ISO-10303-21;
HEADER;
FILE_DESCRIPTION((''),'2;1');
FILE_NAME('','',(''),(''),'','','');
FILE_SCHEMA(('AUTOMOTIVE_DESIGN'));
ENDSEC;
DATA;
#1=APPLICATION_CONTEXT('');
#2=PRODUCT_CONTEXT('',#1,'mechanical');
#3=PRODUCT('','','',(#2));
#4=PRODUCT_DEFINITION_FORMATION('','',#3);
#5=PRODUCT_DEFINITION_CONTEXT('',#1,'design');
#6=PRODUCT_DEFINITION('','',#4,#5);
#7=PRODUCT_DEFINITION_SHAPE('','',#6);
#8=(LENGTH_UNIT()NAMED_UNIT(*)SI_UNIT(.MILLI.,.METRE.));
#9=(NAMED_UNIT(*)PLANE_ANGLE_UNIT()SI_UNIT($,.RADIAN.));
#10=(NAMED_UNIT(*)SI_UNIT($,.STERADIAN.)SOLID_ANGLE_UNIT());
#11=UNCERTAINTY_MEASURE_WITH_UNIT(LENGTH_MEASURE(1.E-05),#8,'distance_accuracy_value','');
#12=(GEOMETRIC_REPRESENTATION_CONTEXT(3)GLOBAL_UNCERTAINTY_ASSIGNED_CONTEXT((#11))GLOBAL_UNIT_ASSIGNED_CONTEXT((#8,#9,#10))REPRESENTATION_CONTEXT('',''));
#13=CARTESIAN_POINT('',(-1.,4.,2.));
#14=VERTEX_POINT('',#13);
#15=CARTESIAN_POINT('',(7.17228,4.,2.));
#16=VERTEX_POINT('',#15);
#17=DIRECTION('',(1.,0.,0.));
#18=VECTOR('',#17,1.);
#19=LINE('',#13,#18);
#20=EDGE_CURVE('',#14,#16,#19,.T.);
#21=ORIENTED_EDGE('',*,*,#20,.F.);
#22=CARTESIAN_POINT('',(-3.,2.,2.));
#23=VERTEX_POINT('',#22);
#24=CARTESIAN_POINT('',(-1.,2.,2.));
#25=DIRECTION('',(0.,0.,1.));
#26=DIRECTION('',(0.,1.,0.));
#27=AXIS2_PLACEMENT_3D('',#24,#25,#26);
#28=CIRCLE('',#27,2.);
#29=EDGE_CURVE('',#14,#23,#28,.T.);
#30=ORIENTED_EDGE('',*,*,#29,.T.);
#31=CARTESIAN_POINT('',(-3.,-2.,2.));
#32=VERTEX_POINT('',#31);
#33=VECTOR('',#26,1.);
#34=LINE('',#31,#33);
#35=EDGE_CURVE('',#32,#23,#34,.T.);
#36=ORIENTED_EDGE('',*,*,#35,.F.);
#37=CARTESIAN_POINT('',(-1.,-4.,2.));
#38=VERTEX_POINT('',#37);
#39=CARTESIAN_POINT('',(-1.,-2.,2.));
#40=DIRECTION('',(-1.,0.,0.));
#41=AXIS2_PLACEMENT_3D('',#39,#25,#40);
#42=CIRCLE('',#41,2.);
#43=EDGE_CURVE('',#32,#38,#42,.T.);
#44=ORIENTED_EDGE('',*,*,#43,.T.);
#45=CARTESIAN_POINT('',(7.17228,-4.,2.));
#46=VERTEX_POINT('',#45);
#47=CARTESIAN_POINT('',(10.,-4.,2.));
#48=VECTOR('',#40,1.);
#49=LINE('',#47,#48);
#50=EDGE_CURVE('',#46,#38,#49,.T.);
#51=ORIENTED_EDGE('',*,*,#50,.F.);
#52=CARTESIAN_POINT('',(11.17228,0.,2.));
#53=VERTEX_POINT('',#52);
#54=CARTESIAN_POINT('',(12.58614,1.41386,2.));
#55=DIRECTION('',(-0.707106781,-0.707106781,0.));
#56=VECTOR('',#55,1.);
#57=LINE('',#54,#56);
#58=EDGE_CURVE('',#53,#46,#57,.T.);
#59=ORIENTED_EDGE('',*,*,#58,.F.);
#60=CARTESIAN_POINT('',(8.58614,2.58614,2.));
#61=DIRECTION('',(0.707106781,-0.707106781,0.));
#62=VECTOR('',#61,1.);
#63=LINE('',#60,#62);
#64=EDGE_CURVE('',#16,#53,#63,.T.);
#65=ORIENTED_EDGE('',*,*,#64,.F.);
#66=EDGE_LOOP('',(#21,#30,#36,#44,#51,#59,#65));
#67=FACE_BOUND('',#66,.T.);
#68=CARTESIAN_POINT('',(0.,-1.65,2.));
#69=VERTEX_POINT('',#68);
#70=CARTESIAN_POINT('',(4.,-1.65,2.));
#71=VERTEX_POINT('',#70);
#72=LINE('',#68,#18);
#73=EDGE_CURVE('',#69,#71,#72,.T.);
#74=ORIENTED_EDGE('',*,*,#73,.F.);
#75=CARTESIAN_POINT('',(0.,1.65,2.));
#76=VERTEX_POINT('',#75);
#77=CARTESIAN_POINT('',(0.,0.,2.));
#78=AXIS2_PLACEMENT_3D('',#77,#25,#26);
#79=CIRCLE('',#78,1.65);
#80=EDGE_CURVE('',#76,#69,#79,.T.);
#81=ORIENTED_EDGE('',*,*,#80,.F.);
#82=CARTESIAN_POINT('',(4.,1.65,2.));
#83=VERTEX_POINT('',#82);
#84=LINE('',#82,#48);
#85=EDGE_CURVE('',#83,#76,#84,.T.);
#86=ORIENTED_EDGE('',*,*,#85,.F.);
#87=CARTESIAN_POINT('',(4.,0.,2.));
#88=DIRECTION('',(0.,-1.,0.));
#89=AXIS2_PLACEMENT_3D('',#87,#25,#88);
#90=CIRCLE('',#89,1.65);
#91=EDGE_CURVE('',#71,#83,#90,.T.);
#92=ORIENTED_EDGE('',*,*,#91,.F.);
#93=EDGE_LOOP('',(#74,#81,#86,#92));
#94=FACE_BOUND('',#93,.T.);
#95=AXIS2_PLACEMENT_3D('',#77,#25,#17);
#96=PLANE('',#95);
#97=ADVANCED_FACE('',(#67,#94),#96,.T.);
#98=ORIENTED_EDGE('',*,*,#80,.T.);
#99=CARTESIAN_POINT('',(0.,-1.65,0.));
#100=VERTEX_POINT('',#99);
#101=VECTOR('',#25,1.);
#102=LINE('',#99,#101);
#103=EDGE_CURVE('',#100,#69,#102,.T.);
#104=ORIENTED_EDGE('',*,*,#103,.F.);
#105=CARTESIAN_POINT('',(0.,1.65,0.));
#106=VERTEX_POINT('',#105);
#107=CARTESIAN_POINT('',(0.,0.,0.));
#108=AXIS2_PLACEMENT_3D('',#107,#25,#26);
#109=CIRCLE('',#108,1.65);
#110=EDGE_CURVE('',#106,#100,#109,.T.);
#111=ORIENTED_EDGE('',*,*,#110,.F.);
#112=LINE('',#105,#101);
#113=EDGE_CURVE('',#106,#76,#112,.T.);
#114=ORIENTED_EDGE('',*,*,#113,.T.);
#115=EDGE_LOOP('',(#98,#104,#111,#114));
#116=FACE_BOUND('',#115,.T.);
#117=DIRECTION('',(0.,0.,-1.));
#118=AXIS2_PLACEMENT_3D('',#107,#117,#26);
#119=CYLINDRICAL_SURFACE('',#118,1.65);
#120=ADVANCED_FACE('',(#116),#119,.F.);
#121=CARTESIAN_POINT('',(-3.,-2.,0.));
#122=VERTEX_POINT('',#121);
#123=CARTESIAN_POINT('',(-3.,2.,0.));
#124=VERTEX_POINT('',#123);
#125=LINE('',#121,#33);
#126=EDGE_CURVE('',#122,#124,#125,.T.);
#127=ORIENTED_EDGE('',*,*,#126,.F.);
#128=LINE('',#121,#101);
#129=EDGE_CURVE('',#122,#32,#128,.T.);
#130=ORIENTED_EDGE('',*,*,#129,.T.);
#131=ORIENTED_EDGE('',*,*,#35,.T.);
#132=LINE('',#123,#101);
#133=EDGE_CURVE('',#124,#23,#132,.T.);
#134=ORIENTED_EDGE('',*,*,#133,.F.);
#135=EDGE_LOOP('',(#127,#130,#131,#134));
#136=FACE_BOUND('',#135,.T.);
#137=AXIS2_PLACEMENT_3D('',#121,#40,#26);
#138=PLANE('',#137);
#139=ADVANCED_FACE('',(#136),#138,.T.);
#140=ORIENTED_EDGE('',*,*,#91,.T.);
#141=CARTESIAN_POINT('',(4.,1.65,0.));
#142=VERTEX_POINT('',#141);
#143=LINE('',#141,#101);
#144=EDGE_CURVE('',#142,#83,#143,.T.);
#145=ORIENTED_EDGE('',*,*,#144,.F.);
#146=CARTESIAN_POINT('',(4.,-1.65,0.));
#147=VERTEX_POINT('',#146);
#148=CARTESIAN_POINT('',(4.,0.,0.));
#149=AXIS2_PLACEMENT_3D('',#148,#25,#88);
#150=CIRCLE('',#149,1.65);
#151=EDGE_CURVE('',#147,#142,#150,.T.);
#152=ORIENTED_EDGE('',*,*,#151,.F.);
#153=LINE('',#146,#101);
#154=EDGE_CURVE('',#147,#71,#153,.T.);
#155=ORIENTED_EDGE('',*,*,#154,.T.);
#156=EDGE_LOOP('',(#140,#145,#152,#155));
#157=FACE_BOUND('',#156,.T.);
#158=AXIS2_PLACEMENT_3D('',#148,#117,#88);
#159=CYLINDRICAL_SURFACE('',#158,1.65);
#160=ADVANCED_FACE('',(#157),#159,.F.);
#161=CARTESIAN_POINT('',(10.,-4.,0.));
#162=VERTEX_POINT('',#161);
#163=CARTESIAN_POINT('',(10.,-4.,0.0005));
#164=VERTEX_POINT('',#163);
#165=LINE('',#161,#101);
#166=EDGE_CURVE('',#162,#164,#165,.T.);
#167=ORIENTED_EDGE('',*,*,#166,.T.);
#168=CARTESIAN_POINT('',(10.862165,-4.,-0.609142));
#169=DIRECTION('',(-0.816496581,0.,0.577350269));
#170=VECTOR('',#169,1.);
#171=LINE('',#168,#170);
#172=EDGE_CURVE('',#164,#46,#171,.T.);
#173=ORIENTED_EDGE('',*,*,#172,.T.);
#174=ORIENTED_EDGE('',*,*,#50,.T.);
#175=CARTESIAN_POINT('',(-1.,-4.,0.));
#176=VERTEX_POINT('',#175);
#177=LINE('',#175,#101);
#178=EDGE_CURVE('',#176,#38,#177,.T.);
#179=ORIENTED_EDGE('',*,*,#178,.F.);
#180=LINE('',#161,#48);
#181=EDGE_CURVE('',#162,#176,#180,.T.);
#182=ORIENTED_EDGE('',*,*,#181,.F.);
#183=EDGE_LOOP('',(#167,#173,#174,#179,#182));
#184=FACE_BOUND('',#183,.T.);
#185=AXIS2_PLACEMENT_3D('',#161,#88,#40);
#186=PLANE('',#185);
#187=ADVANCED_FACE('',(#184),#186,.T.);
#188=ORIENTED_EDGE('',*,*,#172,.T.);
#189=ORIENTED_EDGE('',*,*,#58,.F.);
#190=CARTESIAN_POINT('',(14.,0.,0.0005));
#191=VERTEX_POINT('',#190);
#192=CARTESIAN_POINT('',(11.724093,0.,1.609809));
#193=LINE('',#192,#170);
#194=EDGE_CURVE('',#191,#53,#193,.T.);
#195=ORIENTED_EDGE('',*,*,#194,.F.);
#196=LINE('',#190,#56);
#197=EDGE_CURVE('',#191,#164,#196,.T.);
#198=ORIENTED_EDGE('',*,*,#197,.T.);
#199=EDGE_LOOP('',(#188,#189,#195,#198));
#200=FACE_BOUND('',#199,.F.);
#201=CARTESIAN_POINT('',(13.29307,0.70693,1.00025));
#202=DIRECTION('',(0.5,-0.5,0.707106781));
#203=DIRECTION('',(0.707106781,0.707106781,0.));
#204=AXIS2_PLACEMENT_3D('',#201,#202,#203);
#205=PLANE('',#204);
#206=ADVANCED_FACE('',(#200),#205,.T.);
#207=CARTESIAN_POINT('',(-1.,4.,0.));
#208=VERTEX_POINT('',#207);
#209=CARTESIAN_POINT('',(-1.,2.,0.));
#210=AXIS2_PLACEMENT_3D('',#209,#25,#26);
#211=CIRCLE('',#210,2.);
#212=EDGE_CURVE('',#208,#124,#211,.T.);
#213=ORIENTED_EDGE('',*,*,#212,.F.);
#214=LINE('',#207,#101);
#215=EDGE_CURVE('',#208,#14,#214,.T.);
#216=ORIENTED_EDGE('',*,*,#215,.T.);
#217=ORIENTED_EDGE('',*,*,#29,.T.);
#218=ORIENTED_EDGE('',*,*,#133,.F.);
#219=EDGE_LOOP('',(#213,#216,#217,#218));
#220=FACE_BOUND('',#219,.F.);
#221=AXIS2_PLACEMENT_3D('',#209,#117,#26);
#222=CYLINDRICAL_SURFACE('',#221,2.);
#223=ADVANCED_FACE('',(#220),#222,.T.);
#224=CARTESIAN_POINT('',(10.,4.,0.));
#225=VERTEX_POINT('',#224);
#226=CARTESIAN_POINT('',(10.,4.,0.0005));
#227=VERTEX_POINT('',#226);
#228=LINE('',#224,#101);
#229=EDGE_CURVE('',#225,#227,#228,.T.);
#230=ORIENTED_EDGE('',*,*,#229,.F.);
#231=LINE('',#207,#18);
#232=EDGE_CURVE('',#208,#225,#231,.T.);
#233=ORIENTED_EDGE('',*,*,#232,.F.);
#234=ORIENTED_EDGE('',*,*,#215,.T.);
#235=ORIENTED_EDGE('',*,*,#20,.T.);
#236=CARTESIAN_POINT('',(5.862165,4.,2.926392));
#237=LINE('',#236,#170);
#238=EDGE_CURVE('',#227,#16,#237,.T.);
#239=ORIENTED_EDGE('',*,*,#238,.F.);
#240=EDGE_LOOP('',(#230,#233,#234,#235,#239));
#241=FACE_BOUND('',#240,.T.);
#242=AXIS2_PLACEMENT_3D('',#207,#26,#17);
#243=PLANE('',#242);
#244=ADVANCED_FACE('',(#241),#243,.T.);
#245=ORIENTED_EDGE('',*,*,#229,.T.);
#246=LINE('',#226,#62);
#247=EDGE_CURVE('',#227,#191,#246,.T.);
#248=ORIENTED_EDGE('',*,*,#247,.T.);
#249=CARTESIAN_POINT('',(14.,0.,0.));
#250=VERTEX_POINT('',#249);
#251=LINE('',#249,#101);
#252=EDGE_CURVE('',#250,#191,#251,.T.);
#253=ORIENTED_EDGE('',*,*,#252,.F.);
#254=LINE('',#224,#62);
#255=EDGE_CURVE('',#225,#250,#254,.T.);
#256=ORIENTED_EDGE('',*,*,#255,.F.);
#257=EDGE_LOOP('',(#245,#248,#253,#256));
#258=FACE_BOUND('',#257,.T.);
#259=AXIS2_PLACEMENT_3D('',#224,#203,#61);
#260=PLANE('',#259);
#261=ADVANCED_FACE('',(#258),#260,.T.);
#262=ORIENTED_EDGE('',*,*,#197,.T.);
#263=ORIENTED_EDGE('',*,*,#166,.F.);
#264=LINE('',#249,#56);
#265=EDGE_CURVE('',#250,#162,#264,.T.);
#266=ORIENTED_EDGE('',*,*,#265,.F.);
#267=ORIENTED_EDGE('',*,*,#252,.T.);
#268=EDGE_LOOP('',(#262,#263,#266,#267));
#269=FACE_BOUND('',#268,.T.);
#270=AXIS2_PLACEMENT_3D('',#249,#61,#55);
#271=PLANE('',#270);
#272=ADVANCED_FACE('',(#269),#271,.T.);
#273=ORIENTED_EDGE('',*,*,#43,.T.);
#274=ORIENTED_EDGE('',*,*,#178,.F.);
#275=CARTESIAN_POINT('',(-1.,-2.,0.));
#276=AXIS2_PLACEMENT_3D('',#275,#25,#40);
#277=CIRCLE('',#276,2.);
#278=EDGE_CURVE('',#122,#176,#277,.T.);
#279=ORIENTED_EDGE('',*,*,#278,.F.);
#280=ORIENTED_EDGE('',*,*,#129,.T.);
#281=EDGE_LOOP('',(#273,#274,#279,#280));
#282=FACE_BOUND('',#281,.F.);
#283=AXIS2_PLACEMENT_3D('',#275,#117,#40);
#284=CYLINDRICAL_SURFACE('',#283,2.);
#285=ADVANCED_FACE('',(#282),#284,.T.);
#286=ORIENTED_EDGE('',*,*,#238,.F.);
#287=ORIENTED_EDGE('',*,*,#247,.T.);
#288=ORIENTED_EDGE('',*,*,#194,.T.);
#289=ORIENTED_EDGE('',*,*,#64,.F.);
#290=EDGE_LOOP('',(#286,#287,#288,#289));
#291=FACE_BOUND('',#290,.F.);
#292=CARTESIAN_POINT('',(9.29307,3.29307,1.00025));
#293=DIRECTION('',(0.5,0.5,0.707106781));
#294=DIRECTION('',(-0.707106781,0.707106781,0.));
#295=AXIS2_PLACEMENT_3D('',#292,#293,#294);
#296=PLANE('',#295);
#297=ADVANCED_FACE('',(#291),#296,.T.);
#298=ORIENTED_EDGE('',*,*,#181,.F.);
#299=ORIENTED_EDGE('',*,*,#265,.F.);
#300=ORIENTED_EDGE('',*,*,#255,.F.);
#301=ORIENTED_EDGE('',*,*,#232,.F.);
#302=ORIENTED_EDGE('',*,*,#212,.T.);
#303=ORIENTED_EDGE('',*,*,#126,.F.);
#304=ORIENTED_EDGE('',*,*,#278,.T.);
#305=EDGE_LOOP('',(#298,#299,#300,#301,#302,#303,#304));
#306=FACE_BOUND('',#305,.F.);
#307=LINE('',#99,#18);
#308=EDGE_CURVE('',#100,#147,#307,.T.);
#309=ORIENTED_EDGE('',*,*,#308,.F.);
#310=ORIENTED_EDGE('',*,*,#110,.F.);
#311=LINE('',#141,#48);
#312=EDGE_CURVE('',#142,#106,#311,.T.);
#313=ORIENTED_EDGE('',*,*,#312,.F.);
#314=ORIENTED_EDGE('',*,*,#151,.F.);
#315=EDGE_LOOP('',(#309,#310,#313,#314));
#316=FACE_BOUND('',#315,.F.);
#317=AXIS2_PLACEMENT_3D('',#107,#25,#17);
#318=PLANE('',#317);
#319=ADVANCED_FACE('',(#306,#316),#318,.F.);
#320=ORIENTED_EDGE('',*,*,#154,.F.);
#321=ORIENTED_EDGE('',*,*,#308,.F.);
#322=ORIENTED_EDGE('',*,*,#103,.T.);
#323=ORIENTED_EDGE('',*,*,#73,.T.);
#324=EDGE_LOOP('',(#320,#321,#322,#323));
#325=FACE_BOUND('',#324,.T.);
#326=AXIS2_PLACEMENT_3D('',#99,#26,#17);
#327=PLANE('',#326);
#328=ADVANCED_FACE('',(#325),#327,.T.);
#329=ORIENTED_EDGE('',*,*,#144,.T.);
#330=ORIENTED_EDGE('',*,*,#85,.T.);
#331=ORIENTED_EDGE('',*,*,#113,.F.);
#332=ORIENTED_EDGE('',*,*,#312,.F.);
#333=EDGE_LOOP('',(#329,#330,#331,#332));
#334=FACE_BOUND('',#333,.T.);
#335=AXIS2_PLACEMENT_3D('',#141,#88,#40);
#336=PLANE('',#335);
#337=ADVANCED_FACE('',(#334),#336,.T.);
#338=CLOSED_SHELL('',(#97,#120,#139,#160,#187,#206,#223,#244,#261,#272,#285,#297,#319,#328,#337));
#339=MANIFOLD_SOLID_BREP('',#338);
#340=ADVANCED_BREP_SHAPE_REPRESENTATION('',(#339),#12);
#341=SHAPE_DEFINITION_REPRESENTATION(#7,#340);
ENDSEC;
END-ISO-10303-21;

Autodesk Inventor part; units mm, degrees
ref_plane "YZ Plane" through (0, 0, 0) normal (1, 0, 0) x (0, 1, 0)
ref_plane "XZ Plane" through (0, 0, 0) normal (0, 1, 0) x (-1, 0, 0)
ref_plane "XY Plane" through (0, 0, 0) normal (0, 0, 1) x (1, 0, 0)
sketch "Sketch1" plane through (0, 0, 0) normal (0, 0, 1) x (1, 0, 0)
  line L0 (0, 0) -> (4, 0) construction
  line L1 (0, -1.65) -> (4, -1.65)
  line L2 (4, 1.65) -> (0, 1.65)
  arc A0 (0, 1.65) -> (0, -1.65) centre (0, 0) ccw
  arc A1 (4, -1.65) -> (4, 1.65) centre (4, 0) ccw
  line L3 (-1, 4) -> (10, 4)
  line L4 (10, -4) -> (-1, -4)
  line L5 (-3, -2) -> (-3, 2)
  arc A2 (-1, 4) -> (-3, 2) centre (-1, 2) ccw
  arc A3 (-3, -2) -> (-1, -4) centre (-1, -2) ccw
  line L6 (10, 4) -> (14, 0)
  line L7 (10, 4) -> (15.6569, 4) construction
  line L8 (14, 0) -> (10, -4)
  point P0 (2, 0)
  point P1 (-3, 4)
  point P2 (-3, -4)
  dimension "d0" = 3.3
  dimension "d1" = 2
  dimension "d2" = 8
  dimension "d3" = 4
  dimension "d4" = 3
  dimension "d5" = 2
  dimension "d6" = 45
  dimension "d7" = 0
  dimension "d8" = 4
  dimension "d9" = 10
  dimension "d10" = 90
extrude "Extrusion2" add sketch "Sketch1" along normal blind 2
chamfer "Chamfer1" distance 2 angle 45 2 edges at (12, -2, 2) (12, 2, 2)
equation "\"d3\" = 0.5 * d2"
equation "\"d8\" = d3"
properties part number "back_lid_mount"
